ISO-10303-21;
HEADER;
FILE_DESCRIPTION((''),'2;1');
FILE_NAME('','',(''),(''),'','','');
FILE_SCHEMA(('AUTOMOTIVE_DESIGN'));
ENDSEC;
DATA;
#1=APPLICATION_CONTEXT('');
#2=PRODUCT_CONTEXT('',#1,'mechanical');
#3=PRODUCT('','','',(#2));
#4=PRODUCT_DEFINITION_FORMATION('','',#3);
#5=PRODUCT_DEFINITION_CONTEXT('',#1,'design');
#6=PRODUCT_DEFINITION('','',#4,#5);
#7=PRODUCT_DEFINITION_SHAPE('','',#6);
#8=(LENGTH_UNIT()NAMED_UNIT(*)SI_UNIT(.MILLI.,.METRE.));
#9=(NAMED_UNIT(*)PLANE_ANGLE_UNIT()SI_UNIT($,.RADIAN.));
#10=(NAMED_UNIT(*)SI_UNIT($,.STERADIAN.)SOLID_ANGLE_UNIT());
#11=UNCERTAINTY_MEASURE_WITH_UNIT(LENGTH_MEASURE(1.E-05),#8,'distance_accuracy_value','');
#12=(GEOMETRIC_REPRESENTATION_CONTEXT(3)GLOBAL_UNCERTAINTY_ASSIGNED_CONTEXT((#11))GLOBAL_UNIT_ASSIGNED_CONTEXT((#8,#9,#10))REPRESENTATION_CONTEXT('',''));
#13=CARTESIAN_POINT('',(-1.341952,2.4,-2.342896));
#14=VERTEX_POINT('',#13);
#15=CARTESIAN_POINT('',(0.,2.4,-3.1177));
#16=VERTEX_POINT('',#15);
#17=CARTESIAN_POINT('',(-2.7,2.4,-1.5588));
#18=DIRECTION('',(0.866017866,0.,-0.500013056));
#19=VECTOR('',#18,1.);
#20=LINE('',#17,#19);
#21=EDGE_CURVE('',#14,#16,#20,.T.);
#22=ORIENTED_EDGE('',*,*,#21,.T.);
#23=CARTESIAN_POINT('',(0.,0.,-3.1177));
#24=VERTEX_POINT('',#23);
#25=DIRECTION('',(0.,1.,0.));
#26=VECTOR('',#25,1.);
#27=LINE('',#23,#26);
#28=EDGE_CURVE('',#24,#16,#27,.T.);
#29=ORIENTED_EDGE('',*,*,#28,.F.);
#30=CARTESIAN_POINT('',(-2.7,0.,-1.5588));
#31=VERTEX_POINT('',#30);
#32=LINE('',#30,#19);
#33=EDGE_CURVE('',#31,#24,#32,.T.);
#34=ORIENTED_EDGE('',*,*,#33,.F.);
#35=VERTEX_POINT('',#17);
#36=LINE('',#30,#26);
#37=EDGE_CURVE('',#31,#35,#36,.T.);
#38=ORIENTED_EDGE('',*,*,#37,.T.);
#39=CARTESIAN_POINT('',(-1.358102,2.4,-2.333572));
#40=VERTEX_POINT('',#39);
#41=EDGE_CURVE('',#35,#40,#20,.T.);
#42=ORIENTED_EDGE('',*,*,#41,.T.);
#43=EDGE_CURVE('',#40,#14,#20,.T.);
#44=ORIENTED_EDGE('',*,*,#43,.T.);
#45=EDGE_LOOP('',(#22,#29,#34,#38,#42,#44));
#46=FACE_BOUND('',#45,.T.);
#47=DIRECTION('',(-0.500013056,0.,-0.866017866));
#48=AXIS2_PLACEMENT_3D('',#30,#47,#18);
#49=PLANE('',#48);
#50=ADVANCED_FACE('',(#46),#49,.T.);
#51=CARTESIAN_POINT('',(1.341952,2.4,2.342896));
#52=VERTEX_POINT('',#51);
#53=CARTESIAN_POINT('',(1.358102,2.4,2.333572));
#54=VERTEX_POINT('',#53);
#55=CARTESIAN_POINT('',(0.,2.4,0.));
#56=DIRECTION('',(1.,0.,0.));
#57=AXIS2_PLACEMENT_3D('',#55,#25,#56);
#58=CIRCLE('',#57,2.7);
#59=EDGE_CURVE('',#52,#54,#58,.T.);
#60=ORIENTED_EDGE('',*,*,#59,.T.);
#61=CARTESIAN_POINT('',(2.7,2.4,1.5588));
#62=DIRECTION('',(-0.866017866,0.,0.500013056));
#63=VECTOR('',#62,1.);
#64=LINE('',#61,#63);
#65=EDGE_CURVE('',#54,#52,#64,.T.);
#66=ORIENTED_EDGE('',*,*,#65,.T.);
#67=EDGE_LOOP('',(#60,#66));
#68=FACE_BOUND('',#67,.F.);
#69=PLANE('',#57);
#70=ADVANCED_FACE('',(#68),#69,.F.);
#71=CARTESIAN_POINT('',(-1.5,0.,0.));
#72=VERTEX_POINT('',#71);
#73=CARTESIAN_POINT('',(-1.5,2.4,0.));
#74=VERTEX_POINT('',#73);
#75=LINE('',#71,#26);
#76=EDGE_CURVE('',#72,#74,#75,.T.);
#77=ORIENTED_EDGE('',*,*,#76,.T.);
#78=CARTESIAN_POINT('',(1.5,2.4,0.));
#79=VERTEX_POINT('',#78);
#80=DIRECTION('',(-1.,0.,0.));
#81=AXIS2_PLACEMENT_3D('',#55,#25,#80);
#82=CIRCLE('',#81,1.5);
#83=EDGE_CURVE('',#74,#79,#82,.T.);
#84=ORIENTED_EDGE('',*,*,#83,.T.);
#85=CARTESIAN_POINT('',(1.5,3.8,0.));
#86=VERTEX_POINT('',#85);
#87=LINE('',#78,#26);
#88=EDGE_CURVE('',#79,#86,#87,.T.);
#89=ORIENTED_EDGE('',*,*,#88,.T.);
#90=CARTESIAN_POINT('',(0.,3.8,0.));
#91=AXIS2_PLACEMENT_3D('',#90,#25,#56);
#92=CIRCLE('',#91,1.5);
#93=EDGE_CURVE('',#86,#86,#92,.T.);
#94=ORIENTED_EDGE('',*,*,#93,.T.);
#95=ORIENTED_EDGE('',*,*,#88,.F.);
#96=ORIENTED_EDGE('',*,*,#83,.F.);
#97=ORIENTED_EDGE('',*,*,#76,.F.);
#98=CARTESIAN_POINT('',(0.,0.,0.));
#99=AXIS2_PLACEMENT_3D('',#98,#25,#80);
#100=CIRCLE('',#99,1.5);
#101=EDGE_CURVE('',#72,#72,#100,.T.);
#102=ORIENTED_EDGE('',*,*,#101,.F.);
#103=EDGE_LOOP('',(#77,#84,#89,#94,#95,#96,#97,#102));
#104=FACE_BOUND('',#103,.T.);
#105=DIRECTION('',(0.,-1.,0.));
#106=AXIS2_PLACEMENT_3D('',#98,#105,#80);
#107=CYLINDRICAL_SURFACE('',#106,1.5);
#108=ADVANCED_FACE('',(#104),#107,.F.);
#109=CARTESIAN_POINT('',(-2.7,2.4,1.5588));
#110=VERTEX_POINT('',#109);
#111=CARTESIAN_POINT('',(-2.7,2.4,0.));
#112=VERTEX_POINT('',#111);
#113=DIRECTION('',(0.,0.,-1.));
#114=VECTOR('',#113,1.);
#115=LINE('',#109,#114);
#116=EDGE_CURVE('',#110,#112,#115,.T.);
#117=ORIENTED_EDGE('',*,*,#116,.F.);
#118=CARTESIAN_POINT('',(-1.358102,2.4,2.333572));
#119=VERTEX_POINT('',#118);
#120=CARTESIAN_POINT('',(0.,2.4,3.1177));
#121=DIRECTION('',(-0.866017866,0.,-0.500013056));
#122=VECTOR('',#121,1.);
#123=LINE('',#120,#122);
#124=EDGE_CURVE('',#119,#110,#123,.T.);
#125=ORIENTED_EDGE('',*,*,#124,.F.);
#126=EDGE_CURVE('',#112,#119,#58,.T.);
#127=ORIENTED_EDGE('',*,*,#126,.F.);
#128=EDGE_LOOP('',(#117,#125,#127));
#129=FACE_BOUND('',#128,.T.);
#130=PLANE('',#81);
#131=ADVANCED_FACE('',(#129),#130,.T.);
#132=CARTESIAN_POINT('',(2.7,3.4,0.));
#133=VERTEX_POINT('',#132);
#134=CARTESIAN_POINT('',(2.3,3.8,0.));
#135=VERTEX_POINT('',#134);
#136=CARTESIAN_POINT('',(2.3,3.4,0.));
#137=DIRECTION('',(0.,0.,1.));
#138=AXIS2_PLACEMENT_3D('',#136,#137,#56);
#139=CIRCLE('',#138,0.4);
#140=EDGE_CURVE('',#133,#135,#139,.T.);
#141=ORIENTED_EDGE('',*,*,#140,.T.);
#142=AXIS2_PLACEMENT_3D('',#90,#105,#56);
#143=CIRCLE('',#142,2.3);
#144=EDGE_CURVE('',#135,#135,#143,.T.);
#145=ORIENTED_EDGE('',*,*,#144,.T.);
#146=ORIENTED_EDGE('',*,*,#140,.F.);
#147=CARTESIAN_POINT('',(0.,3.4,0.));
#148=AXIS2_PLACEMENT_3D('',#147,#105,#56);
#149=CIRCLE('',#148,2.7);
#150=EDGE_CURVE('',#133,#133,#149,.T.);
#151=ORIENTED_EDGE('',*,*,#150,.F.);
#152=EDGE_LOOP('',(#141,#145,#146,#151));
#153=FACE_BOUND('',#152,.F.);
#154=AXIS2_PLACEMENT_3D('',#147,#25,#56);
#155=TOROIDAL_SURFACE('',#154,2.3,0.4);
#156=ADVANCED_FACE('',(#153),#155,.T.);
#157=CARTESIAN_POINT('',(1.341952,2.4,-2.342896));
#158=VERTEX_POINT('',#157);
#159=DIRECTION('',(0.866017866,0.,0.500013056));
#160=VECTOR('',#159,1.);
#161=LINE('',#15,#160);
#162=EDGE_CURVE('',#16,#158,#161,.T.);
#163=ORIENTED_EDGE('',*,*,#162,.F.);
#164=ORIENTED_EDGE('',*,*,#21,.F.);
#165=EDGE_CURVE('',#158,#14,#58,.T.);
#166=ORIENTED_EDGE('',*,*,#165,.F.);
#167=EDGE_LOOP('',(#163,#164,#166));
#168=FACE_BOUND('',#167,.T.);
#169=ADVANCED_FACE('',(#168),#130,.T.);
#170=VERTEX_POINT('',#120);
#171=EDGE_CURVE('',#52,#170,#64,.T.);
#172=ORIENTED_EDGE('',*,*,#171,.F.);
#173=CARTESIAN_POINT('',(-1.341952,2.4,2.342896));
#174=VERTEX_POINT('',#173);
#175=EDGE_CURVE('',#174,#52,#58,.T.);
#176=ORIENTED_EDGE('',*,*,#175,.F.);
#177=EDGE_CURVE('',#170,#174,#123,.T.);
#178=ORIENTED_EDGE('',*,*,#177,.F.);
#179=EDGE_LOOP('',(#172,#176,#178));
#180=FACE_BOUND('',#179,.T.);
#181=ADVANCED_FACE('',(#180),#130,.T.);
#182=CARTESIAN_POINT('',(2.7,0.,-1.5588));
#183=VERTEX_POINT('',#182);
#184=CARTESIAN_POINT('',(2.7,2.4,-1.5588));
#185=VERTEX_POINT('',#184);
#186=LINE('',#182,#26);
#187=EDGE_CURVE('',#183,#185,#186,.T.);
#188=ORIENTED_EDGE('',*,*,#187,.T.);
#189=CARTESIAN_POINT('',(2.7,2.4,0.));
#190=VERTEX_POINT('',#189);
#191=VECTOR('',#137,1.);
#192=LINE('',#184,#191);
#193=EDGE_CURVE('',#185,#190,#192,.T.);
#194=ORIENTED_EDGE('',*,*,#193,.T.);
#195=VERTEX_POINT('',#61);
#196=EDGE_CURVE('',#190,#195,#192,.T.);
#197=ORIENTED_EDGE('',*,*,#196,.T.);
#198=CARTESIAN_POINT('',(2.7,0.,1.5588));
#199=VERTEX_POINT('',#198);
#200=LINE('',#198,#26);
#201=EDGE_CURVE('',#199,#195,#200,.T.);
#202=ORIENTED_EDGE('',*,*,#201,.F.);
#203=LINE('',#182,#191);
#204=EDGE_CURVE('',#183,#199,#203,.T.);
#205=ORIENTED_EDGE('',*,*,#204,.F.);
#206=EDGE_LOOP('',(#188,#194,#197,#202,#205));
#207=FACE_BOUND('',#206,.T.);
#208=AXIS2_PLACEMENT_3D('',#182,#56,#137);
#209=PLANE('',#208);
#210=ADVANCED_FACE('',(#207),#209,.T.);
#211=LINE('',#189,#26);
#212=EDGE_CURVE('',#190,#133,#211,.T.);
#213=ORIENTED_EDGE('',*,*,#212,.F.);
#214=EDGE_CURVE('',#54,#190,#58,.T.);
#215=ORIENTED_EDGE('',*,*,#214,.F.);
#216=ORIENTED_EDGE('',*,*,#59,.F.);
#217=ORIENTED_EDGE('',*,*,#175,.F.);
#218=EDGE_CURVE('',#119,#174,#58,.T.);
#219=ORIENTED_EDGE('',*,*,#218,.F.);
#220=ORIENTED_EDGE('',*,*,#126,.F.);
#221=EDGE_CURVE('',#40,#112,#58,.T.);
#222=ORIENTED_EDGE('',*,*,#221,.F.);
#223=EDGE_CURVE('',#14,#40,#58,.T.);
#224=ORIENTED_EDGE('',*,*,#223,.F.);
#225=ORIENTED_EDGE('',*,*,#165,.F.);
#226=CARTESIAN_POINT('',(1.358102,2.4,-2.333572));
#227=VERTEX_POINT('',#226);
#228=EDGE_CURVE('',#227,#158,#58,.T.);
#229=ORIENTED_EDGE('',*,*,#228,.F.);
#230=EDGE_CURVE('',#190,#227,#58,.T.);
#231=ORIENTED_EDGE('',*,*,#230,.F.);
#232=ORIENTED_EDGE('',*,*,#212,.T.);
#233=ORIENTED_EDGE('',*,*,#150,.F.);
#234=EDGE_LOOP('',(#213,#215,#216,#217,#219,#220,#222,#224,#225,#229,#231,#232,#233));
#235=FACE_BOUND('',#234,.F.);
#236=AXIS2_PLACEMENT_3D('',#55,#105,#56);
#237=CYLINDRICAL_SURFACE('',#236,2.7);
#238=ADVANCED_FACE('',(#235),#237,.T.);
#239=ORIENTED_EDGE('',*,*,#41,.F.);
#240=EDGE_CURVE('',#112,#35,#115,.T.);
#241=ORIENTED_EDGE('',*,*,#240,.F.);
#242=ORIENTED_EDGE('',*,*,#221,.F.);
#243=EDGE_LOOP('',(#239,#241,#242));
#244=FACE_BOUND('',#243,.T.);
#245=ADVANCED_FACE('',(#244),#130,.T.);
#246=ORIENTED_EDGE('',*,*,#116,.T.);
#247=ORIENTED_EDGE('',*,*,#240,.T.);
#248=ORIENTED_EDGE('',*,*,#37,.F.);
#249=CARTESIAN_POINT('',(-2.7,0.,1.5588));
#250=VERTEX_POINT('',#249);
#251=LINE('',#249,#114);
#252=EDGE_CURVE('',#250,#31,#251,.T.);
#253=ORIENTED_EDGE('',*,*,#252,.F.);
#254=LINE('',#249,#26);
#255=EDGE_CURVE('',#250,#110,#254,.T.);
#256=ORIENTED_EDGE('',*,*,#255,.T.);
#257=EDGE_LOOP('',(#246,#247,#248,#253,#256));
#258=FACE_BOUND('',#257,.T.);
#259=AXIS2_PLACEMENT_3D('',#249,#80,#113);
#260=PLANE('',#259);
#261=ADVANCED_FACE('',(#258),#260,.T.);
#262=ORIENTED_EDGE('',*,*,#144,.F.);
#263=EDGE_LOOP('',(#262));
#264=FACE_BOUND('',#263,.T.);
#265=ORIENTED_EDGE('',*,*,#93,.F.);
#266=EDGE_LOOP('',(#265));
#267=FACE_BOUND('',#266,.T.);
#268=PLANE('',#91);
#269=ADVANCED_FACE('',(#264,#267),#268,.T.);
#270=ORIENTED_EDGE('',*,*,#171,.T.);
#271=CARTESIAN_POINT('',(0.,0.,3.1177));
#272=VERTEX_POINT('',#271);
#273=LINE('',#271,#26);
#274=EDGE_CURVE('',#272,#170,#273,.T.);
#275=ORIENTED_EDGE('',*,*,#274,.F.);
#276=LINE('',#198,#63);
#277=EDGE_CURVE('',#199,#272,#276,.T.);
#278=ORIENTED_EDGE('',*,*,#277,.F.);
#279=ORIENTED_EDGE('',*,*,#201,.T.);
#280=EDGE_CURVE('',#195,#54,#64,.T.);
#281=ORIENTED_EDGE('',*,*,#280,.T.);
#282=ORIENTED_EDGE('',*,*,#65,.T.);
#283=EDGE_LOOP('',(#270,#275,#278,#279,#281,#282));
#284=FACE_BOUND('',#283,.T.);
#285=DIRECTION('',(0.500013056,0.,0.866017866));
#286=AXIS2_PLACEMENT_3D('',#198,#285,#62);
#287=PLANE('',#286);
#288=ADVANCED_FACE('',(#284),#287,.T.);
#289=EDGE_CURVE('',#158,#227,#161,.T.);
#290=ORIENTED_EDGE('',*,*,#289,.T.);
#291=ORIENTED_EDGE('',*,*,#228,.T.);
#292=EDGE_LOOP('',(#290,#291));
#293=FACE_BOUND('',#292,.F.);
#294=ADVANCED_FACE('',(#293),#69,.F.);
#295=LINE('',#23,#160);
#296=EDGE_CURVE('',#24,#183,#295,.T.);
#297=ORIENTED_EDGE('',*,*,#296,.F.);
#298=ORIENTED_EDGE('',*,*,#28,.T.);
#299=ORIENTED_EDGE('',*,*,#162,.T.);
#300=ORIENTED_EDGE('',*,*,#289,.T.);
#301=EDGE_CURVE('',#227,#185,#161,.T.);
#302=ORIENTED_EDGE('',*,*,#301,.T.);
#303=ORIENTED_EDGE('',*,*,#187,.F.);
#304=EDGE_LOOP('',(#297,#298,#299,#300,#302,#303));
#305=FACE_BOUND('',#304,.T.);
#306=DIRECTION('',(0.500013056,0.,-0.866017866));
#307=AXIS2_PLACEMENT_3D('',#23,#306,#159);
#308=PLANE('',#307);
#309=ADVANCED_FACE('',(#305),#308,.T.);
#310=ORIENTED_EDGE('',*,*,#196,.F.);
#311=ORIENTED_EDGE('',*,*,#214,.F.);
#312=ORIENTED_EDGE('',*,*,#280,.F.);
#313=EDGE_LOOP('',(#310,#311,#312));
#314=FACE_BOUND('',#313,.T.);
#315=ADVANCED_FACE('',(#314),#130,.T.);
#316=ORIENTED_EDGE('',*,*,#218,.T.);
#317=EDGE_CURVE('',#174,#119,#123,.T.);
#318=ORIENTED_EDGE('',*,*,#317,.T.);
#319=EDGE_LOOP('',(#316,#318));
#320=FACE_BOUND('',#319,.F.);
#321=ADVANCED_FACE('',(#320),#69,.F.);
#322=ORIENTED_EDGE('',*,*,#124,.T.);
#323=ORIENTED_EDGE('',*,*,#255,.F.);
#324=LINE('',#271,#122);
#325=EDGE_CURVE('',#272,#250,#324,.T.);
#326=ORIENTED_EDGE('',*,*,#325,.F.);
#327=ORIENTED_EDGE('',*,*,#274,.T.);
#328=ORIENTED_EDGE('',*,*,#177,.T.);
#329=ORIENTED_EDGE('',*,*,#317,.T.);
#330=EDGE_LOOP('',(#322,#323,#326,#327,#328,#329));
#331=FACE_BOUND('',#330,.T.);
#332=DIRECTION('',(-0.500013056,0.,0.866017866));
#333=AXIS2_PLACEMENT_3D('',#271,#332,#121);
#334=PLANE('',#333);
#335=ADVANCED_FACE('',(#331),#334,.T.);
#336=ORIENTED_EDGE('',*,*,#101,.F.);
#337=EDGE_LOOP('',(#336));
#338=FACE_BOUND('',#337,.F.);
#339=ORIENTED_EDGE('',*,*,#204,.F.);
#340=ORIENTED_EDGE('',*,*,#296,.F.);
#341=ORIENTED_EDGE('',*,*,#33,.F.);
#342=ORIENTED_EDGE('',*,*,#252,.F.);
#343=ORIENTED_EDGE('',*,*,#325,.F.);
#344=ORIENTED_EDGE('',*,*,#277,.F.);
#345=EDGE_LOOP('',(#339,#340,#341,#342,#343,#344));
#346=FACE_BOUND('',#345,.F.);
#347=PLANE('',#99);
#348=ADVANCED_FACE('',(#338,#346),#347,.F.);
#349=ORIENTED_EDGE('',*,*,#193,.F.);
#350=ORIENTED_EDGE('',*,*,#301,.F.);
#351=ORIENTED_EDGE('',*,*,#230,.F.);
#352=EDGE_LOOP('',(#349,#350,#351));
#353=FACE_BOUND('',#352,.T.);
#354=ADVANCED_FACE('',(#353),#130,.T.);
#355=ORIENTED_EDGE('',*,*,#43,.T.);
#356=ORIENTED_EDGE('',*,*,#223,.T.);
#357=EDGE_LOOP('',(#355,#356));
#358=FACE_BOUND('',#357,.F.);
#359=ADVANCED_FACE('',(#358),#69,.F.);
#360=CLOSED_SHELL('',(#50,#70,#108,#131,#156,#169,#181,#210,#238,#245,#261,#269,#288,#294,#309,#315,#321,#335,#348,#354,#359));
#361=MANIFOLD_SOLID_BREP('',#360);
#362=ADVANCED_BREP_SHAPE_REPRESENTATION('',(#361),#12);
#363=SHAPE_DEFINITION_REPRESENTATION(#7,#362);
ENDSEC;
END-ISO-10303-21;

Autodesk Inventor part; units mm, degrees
ref_plane "YZ Plane" through (0, 0, 0) normal (1, 0, 0) x (0, 1, 0)
ref_plane "XZ Plane" through (0, 0, 0) normal (0, 1, 0) x (-1, 0, 0)
ref_plane "XY Plane" through (0, 0, 0) normal (0, 0, 1) x (1, 0, 0)
sketch "Sketch1" plane through (0, 0, 0) normal (0, 1, 0) x (-1, 0, 0)
  line L0 (0, -3.1177) -> (-2.7, -1.5588)
  line L1 (-2.7, -1.5588) -> (-2.7, 1.5588)
  line L2 (-2.7, 1.5588) -> (0, 3.1177)
  line L3 (0, 3.1177) -> (2.7, 1.5588)
  line L4 (2.7, 1.5588) -> (2.7, -1.5588)
  line L5 (2.7, -1.5588) -> (0, -3.1177)
  circle A0 centre (0, 0) radius 1.5
  dimension "d0" = 5.4
  dimension "d1" = 3
extrude "Extrusion1" add sketch "Sketch1" along normal blind 2.4
sketch "Sketch2" plane through (0, 2.4, 0) normal (0, 1, 0) x (1, 0, 0)
  circle A0 centre (0, 0) radius 2.7
  line L0 (2.7, -1.5588) -> (2.7, 1.5588) projected
  line L1 (-2.7, 1.5588) -> (-2.7, -1.5588) projected
  circle A1 centre (0, 0) radius 1.5 projected
  dimension "d4" = 5.4
  dimension "d5" = 5.4
extrude "Extrusion2" add sketch "Sketch2" along normal blind 1.4
fillet "Fillet1" radius 0.4 1 edges at (-2.7, 3.8, 0)
equation "\"d5\" = d4"
properties part number "m3_nut_locking" material "Stainless Steel"
